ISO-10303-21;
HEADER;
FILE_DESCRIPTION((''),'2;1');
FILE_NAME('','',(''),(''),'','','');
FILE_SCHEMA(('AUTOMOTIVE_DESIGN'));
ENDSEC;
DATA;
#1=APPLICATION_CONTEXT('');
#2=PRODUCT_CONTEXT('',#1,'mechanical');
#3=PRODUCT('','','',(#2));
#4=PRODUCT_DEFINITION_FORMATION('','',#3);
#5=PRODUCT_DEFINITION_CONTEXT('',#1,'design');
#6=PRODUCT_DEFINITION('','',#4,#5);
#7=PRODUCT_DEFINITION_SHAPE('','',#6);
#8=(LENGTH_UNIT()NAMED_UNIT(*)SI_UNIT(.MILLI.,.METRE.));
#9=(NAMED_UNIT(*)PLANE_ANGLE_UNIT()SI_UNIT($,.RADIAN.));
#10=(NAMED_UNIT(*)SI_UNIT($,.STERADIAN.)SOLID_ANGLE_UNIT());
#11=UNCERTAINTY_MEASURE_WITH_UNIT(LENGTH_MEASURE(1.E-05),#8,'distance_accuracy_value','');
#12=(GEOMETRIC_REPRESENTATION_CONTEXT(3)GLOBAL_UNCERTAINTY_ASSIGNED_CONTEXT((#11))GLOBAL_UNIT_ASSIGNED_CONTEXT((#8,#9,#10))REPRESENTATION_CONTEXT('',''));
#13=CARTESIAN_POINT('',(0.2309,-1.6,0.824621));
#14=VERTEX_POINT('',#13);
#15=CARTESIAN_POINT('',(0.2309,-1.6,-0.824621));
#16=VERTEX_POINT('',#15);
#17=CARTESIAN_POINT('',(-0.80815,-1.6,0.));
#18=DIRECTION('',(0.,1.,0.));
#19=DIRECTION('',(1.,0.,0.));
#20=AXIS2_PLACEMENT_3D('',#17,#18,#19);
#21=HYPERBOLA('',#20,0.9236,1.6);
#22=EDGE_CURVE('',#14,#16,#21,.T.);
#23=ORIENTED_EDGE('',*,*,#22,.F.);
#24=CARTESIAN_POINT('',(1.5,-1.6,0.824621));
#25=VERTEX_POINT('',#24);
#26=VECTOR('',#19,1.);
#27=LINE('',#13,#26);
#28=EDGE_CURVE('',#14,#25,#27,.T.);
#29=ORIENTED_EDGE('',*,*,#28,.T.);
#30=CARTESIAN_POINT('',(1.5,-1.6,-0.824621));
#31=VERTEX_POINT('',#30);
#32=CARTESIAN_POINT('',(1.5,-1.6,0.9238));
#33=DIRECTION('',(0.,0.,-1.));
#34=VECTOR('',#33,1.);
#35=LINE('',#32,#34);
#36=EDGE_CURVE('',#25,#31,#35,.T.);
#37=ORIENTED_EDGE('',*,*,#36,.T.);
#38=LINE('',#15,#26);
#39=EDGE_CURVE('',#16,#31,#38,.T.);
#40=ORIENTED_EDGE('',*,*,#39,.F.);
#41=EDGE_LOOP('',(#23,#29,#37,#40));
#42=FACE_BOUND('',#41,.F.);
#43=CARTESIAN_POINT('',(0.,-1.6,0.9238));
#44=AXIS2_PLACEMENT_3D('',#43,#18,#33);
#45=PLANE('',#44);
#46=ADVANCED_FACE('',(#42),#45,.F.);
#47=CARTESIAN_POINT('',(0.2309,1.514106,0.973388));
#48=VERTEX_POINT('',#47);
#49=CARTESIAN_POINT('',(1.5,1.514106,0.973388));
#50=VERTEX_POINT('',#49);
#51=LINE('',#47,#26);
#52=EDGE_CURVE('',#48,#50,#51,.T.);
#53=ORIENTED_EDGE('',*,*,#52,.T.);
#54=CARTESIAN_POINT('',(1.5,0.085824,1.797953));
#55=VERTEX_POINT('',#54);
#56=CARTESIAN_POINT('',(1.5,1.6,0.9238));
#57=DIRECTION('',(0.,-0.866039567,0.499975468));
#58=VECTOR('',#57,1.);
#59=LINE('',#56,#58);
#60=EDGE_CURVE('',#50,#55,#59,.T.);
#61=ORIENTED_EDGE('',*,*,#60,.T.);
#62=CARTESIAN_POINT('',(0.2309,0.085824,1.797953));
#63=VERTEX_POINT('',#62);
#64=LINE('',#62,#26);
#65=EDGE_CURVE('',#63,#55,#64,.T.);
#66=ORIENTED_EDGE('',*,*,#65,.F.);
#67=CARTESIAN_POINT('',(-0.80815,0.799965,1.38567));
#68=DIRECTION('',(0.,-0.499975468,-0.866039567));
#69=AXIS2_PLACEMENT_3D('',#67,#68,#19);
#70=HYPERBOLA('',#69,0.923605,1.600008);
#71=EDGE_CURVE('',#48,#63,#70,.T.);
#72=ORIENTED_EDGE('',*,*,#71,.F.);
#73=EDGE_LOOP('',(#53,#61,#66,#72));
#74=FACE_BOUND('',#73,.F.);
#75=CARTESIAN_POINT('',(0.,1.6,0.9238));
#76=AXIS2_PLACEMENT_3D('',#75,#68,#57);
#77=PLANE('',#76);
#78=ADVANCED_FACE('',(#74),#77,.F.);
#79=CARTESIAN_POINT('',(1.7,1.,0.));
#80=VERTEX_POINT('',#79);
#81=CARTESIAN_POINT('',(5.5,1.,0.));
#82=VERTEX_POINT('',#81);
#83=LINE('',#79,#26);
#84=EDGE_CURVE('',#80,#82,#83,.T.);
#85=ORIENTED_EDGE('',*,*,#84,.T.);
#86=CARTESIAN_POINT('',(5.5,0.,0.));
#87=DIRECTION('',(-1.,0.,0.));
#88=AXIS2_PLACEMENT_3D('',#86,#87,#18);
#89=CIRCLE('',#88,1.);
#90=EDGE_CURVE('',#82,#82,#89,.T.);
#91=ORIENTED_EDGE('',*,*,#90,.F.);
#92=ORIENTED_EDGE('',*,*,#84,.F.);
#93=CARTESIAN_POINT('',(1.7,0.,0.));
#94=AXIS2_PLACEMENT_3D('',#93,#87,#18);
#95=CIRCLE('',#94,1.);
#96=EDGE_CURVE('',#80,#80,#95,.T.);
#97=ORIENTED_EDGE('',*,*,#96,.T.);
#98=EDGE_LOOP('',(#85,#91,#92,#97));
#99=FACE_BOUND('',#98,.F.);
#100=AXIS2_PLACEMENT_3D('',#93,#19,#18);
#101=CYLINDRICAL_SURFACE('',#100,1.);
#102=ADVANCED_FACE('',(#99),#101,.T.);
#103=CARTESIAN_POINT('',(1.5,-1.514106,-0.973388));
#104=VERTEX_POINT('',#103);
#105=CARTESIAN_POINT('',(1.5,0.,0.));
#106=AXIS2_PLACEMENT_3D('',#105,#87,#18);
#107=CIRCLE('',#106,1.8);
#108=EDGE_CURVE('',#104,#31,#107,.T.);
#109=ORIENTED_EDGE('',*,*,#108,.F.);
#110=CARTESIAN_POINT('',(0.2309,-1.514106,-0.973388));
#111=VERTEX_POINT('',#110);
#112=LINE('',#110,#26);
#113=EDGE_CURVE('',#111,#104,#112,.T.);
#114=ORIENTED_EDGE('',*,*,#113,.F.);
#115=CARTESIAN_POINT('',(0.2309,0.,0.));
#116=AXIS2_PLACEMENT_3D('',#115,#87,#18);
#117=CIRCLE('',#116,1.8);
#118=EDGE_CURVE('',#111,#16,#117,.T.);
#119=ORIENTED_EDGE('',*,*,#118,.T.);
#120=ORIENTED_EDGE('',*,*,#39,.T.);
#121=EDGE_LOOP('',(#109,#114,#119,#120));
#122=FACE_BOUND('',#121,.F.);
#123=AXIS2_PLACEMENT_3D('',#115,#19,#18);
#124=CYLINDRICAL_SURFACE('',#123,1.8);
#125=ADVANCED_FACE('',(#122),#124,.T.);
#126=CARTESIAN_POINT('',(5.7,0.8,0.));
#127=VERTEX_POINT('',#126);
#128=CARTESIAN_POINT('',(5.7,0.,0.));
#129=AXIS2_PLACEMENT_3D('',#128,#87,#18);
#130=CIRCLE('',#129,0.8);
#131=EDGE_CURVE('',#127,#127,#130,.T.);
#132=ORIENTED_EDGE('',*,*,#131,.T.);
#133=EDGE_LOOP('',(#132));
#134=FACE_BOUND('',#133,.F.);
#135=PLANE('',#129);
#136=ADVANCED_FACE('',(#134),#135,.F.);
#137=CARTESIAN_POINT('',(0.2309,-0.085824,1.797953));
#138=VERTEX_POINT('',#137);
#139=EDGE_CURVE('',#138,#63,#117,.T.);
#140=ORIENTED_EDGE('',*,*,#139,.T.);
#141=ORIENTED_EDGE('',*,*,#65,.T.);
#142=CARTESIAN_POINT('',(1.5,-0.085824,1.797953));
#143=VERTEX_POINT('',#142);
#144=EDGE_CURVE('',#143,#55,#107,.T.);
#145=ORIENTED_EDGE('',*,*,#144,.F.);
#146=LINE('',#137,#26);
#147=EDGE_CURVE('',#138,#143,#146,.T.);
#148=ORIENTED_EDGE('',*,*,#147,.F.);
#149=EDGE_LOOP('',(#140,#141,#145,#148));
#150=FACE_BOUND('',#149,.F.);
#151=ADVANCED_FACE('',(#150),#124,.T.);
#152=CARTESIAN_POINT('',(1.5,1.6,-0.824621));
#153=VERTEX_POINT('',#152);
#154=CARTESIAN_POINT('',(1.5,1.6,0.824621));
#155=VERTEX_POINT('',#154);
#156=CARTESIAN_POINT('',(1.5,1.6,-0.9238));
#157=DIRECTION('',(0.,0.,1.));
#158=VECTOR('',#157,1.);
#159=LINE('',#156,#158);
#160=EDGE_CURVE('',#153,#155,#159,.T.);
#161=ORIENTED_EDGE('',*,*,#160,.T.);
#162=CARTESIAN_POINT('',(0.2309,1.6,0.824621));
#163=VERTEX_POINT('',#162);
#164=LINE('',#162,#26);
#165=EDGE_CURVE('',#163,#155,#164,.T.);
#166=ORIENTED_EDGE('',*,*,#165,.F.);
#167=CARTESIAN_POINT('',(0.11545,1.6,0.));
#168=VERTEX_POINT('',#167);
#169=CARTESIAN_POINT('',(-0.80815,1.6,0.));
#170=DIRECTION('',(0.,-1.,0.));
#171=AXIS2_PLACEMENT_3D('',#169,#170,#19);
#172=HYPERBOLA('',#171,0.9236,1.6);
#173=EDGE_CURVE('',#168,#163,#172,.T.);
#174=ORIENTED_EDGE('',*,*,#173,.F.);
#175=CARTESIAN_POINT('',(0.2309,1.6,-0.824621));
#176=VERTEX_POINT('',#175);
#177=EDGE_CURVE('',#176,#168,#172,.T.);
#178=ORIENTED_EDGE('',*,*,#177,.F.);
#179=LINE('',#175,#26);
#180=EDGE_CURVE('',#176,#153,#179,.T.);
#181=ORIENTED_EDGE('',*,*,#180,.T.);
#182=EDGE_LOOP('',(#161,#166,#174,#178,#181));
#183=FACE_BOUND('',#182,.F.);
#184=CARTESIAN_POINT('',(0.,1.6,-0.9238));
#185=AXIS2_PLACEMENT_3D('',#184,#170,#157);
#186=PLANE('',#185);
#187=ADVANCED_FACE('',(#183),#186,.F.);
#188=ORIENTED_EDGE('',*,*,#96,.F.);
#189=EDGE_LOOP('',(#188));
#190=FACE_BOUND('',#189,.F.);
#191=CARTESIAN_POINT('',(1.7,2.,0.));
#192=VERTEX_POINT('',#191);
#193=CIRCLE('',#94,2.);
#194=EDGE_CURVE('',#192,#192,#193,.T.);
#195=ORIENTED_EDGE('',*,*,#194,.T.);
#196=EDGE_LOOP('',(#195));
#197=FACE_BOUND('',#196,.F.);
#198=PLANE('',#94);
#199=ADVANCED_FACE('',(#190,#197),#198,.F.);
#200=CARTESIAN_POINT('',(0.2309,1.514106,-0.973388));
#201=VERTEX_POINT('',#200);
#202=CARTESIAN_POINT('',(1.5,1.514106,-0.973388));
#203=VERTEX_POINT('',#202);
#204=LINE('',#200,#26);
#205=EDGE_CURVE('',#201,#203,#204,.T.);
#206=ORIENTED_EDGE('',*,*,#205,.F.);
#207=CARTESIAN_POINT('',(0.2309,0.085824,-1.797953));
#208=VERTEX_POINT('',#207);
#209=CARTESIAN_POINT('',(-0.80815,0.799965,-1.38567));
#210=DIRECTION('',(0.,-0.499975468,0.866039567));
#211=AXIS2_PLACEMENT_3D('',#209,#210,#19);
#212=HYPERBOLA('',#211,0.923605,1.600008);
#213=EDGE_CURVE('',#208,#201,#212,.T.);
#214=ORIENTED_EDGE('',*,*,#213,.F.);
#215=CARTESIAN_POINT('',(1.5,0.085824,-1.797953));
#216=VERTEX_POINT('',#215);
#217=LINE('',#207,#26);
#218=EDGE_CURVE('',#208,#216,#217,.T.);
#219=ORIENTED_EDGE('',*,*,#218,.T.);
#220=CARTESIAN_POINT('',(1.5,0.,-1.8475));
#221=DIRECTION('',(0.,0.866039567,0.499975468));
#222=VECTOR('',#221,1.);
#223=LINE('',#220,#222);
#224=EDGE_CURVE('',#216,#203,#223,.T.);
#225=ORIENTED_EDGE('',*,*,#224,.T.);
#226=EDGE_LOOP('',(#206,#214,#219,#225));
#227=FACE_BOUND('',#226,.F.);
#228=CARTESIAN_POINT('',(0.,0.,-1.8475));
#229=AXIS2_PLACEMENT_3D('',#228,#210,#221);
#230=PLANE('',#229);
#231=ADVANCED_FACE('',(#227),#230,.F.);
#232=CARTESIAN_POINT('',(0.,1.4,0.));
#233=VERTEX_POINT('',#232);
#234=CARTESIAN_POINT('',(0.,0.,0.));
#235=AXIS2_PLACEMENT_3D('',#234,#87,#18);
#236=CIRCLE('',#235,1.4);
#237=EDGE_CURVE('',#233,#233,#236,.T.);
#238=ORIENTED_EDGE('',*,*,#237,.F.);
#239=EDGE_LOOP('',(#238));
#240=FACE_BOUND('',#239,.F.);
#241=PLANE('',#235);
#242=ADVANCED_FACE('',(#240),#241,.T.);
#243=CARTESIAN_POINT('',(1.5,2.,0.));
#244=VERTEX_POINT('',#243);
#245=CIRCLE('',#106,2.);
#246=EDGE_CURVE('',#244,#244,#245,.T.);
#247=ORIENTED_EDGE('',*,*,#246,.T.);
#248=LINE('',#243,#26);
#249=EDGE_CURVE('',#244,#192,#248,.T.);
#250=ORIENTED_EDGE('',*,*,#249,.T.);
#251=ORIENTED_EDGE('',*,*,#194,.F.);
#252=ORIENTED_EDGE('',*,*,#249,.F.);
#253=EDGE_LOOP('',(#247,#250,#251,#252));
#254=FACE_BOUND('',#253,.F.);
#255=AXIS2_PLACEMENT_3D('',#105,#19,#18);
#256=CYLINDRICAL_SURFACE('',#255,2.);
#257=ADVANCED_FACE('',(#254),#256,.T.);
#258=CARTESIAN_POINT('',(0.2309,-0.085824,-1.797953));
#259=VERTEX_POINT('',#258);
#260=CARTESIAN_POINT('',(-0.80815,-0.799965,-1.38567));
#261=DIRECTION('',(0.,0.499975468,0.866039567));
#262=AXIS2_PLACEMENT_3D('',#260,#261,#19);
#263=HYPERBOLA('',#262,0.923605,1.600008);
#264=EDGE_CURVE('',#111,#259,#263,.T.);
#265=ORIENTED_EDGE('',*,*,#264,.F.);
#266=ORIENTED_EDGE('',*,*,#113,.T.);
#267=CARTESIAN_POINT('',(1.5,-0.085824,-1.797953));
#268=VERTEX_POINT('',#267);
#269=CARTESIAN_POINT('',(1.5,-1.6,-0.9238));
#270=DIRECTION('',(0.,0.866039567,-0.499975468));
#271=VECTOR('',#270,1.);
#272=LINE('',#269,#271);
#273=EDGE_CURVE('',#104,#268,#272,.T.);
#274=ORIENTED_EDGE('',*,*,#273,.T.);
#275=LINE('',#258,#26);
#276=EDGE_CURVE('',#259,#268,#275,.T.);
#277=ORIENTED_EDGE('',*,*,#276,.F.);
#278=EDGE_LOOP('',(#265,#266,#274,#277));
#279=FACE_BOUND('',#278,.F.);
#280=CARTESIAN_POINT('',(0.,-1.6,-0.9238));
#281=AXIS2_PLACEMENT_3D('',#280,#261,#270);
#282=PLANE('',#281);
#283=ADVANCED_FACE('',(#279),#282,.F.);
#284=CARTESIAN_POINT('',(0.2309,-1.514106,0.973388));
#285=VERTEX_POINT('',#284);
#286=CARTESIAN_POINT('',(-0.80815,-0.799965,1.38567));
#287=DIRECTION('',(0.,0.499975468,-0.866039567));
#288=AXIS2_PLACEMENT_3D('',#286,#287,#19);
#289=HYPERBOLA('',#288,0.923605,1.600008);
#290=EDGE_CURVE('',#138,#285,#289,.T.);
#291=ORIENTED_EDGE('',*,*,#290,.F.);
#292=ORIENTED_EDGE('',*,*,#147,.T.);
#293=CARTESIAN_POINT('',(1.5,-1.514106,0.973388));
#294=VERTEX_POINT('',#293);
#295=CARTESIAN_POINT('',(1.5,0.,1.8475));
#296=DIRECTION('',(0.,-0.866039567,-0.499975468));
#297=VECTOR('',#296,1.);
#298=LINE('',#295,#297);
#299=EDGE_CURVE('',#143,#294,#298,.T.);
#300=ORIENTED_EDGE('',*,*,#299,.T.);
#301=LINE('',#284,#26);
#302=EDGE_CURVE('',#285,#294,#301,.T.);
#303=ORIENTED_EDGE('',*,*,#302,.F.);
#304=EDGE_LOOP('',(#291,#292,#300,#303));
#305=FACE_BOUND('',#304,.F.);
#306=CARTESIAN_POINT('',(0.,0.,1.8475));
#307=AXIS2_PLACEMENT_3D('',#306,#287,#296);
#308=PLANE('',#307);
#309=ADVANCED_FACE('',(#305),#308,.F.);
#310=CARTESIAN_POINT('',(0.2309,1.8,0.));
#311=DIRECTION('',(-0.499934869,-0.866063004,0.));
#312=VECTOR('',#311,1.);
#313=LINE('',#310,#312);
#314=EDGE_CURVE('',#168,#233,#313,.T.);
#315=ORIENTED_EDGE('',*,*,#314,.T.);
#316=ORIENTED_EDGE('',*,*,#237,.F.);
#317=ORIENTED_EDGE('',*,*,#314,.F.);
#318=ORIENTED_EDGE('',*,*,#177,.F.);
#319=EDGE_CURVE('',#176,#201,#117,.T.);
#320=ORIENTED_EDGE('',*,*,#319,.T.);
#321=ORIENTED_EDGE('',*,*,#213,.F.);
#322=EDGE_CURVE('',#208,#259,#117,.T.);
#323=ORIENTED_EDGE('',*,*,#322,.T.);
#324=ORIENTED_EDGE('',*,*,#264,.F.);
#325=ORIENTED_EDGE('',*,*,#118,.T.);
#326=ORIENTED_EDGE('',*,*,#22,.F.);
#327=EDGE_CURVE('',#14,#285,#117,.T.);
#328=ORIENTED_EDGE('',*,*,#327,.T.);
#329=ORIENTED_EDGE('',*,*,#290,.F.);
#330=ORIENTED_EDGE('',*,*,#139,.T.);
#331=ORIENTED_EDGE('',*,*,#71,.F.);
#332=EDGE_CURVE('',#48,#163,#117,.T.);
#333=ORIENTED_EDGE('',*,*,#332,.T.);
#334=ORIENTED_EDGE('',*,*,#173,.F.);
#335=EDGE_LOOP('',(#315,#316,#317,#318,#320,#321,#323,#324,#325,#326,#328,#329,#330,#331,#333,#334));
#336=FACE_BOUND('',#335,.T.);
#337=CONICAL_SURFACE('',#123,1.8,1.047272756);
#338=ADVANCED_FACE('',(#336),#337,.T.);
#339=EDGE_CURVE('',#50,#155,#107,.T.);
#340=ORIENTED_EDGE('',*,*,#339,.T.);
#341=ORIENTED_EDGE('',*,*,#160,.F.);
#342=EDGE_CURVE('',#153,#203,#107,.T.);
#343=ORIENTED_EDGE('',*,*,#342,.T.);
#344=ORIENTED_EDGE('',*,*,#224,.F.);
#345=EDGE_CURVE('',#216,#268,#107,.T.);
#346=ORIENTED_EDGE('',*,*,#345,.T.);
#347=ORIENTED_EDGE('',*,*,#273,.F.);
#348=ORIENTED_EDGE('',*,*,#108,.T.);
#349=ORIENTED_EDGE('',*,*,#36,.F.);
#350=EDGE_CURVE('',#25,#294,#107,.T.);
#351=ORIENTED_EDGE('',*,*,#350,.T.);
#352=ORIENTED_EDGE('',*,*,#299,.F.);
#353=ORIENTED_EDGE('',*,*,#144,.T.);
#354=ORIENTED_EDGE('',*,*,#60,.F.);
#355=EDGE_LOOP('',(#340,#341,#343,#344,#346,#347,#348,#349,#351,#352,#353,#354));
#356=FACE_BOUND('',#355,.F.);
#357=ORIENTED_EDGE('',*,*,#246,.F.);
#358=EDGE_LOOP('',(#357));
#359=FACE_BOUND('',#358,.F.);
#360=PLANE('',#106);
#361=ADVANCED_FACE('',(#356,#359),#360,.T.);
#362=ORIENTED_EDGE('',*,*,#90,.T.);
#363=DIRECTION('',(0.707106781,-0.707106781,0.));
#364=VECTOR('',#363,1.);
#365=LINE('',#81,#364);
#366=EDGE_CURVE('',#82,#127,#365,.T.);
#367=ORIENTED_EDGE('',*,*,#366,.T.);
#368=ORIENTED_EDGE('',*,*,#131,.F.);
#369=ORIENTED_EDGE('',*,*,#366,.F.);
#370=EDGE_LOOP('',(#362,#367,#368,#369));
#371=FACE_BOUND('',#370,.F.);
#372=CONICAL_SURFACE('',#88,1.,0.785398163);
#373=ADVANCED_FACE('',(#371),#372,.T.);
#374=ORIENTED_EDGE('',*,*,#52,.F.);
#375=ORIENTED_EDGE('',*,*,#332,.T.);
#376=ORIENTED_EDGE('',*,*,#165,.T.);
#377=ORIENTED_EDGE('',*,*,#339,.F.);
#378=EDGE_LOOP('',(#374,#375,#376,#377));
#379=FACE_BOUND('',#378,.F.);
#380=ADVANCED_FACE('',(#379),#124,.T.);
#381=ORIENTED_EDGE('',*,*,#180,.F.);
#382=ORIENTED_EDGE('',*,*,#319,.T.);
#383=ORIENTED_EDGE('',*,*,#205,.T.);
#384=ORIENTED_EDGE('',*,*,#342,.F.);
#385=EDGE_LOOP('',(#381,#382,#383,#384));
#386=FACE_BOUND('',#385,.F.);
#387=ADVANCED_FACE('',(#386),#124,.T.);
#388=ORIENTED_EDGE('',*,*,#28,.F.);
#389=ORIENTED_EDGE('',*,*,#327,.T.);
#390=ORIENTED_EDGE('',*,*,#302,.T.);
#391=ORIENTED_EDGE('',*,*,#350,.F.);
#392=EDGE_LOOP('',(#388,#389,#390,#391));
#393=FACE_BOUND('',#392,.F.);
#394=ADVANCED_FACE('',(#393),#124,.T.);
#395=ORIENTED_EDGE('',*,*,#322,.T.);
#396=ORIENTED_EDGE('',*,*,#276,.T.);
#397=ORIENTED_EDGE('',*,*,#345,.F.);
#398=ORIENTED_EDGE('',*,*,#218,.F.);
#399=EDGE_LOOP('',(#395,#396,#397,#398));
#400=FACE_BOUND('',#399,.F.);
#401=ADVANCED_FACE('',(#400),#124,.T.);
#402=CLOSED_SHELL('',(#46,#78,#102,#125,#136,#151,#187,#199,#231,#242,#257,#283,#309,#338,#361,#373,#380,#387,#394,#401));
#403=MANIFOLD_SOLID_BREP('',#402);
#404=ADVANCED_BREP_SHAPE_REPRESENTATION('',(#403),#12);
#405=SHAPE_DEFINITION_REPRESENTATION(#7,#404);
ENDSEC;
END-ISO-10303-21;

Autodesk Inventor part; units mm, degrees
ref_plane "YZ Plane" through (0, 0, 0) normal (1, 0, 0) x (0, 1, 0)
ref_plane "XZ Plane" through (0, 0, 0) normal (0, 1, 0) x (-1, 0, 0)
ref_plane "XY Plane" through (0, 0, 0) normal (0, 0, 1) x (1, 0, 0)
sketch "Sketch15" plane through (0, 0, 0) normal (0, 0, 1) x (1, 0, 0)
  line L0 (0, 0) -> (0, 1.4)
  line L1 (0.2309, 1.8) -> (1.5, 1.8)
  line L2 (1.5, 1.8) -> (1.5, 2)
  line L3 (1.5, 2) -> (1.7, 2)
  line L4 (1.7, 2) -> (1.7, 1)
  line L5 (1.7, 1) -> (5.7, 1)
  line L6 (5.7, 0) -> (0, 0)
  line L7 (0.2309, 1.8) -> (0, 1.4)
  line L8 (5.7, 1) -> (5.7, 0)
  point P0 (6.0083, 0)
  dimension "d78" = 0.2
  dimension "d84" = 1
  dimension "d86" = 0.4
  dimension "d87" = 1.8
  dimension "d89" = 1.5
  dimension "d90" = 2
  dimension "d111" = 4
revolve "Revolution1" add sketch "Sketch15" angle 360 about axis through (5.7, 0, 0) along (-1, 0, 0)
chamfer "Chamfer4" distance 0.2 angle 45 1 edges at (5.7, -1, 0)
sketch "Sketch16" plane through (0, 0, 0) normal (-1, 0, 0) x (0, 0, 1)
  circle A0 centre (0, 0) radius 1.4 projected
  line L0 (0.9238, 1.6) -> (1.8475, 0)
  line L1 (1.8475, 0) -> (0.9238, -1.6)
  line L2 (0.9238, -1.6) -> (-0.9238, -1.6)
  line L3 (-0.9238, -1.6) -> (-1.8475, 0)
  line L4 (-1.8475, 0) -> (-0.9238, 1.6)
  line L5 (-0.9238, 1.6) -> (0.9238, 1.6)
  circle A1 centre (0, 0) radius 2.6573
  dimension "d104" = 3.2
extrude "Extrusion15" cut sketch "Sketch16" against normal up to surface (1.5 mm away) contours A1
thread "Thread3" size "M2x0.4" class "6g" standard "ANSI Metric M Profile" length 3
properties part number "Bolt2b"
